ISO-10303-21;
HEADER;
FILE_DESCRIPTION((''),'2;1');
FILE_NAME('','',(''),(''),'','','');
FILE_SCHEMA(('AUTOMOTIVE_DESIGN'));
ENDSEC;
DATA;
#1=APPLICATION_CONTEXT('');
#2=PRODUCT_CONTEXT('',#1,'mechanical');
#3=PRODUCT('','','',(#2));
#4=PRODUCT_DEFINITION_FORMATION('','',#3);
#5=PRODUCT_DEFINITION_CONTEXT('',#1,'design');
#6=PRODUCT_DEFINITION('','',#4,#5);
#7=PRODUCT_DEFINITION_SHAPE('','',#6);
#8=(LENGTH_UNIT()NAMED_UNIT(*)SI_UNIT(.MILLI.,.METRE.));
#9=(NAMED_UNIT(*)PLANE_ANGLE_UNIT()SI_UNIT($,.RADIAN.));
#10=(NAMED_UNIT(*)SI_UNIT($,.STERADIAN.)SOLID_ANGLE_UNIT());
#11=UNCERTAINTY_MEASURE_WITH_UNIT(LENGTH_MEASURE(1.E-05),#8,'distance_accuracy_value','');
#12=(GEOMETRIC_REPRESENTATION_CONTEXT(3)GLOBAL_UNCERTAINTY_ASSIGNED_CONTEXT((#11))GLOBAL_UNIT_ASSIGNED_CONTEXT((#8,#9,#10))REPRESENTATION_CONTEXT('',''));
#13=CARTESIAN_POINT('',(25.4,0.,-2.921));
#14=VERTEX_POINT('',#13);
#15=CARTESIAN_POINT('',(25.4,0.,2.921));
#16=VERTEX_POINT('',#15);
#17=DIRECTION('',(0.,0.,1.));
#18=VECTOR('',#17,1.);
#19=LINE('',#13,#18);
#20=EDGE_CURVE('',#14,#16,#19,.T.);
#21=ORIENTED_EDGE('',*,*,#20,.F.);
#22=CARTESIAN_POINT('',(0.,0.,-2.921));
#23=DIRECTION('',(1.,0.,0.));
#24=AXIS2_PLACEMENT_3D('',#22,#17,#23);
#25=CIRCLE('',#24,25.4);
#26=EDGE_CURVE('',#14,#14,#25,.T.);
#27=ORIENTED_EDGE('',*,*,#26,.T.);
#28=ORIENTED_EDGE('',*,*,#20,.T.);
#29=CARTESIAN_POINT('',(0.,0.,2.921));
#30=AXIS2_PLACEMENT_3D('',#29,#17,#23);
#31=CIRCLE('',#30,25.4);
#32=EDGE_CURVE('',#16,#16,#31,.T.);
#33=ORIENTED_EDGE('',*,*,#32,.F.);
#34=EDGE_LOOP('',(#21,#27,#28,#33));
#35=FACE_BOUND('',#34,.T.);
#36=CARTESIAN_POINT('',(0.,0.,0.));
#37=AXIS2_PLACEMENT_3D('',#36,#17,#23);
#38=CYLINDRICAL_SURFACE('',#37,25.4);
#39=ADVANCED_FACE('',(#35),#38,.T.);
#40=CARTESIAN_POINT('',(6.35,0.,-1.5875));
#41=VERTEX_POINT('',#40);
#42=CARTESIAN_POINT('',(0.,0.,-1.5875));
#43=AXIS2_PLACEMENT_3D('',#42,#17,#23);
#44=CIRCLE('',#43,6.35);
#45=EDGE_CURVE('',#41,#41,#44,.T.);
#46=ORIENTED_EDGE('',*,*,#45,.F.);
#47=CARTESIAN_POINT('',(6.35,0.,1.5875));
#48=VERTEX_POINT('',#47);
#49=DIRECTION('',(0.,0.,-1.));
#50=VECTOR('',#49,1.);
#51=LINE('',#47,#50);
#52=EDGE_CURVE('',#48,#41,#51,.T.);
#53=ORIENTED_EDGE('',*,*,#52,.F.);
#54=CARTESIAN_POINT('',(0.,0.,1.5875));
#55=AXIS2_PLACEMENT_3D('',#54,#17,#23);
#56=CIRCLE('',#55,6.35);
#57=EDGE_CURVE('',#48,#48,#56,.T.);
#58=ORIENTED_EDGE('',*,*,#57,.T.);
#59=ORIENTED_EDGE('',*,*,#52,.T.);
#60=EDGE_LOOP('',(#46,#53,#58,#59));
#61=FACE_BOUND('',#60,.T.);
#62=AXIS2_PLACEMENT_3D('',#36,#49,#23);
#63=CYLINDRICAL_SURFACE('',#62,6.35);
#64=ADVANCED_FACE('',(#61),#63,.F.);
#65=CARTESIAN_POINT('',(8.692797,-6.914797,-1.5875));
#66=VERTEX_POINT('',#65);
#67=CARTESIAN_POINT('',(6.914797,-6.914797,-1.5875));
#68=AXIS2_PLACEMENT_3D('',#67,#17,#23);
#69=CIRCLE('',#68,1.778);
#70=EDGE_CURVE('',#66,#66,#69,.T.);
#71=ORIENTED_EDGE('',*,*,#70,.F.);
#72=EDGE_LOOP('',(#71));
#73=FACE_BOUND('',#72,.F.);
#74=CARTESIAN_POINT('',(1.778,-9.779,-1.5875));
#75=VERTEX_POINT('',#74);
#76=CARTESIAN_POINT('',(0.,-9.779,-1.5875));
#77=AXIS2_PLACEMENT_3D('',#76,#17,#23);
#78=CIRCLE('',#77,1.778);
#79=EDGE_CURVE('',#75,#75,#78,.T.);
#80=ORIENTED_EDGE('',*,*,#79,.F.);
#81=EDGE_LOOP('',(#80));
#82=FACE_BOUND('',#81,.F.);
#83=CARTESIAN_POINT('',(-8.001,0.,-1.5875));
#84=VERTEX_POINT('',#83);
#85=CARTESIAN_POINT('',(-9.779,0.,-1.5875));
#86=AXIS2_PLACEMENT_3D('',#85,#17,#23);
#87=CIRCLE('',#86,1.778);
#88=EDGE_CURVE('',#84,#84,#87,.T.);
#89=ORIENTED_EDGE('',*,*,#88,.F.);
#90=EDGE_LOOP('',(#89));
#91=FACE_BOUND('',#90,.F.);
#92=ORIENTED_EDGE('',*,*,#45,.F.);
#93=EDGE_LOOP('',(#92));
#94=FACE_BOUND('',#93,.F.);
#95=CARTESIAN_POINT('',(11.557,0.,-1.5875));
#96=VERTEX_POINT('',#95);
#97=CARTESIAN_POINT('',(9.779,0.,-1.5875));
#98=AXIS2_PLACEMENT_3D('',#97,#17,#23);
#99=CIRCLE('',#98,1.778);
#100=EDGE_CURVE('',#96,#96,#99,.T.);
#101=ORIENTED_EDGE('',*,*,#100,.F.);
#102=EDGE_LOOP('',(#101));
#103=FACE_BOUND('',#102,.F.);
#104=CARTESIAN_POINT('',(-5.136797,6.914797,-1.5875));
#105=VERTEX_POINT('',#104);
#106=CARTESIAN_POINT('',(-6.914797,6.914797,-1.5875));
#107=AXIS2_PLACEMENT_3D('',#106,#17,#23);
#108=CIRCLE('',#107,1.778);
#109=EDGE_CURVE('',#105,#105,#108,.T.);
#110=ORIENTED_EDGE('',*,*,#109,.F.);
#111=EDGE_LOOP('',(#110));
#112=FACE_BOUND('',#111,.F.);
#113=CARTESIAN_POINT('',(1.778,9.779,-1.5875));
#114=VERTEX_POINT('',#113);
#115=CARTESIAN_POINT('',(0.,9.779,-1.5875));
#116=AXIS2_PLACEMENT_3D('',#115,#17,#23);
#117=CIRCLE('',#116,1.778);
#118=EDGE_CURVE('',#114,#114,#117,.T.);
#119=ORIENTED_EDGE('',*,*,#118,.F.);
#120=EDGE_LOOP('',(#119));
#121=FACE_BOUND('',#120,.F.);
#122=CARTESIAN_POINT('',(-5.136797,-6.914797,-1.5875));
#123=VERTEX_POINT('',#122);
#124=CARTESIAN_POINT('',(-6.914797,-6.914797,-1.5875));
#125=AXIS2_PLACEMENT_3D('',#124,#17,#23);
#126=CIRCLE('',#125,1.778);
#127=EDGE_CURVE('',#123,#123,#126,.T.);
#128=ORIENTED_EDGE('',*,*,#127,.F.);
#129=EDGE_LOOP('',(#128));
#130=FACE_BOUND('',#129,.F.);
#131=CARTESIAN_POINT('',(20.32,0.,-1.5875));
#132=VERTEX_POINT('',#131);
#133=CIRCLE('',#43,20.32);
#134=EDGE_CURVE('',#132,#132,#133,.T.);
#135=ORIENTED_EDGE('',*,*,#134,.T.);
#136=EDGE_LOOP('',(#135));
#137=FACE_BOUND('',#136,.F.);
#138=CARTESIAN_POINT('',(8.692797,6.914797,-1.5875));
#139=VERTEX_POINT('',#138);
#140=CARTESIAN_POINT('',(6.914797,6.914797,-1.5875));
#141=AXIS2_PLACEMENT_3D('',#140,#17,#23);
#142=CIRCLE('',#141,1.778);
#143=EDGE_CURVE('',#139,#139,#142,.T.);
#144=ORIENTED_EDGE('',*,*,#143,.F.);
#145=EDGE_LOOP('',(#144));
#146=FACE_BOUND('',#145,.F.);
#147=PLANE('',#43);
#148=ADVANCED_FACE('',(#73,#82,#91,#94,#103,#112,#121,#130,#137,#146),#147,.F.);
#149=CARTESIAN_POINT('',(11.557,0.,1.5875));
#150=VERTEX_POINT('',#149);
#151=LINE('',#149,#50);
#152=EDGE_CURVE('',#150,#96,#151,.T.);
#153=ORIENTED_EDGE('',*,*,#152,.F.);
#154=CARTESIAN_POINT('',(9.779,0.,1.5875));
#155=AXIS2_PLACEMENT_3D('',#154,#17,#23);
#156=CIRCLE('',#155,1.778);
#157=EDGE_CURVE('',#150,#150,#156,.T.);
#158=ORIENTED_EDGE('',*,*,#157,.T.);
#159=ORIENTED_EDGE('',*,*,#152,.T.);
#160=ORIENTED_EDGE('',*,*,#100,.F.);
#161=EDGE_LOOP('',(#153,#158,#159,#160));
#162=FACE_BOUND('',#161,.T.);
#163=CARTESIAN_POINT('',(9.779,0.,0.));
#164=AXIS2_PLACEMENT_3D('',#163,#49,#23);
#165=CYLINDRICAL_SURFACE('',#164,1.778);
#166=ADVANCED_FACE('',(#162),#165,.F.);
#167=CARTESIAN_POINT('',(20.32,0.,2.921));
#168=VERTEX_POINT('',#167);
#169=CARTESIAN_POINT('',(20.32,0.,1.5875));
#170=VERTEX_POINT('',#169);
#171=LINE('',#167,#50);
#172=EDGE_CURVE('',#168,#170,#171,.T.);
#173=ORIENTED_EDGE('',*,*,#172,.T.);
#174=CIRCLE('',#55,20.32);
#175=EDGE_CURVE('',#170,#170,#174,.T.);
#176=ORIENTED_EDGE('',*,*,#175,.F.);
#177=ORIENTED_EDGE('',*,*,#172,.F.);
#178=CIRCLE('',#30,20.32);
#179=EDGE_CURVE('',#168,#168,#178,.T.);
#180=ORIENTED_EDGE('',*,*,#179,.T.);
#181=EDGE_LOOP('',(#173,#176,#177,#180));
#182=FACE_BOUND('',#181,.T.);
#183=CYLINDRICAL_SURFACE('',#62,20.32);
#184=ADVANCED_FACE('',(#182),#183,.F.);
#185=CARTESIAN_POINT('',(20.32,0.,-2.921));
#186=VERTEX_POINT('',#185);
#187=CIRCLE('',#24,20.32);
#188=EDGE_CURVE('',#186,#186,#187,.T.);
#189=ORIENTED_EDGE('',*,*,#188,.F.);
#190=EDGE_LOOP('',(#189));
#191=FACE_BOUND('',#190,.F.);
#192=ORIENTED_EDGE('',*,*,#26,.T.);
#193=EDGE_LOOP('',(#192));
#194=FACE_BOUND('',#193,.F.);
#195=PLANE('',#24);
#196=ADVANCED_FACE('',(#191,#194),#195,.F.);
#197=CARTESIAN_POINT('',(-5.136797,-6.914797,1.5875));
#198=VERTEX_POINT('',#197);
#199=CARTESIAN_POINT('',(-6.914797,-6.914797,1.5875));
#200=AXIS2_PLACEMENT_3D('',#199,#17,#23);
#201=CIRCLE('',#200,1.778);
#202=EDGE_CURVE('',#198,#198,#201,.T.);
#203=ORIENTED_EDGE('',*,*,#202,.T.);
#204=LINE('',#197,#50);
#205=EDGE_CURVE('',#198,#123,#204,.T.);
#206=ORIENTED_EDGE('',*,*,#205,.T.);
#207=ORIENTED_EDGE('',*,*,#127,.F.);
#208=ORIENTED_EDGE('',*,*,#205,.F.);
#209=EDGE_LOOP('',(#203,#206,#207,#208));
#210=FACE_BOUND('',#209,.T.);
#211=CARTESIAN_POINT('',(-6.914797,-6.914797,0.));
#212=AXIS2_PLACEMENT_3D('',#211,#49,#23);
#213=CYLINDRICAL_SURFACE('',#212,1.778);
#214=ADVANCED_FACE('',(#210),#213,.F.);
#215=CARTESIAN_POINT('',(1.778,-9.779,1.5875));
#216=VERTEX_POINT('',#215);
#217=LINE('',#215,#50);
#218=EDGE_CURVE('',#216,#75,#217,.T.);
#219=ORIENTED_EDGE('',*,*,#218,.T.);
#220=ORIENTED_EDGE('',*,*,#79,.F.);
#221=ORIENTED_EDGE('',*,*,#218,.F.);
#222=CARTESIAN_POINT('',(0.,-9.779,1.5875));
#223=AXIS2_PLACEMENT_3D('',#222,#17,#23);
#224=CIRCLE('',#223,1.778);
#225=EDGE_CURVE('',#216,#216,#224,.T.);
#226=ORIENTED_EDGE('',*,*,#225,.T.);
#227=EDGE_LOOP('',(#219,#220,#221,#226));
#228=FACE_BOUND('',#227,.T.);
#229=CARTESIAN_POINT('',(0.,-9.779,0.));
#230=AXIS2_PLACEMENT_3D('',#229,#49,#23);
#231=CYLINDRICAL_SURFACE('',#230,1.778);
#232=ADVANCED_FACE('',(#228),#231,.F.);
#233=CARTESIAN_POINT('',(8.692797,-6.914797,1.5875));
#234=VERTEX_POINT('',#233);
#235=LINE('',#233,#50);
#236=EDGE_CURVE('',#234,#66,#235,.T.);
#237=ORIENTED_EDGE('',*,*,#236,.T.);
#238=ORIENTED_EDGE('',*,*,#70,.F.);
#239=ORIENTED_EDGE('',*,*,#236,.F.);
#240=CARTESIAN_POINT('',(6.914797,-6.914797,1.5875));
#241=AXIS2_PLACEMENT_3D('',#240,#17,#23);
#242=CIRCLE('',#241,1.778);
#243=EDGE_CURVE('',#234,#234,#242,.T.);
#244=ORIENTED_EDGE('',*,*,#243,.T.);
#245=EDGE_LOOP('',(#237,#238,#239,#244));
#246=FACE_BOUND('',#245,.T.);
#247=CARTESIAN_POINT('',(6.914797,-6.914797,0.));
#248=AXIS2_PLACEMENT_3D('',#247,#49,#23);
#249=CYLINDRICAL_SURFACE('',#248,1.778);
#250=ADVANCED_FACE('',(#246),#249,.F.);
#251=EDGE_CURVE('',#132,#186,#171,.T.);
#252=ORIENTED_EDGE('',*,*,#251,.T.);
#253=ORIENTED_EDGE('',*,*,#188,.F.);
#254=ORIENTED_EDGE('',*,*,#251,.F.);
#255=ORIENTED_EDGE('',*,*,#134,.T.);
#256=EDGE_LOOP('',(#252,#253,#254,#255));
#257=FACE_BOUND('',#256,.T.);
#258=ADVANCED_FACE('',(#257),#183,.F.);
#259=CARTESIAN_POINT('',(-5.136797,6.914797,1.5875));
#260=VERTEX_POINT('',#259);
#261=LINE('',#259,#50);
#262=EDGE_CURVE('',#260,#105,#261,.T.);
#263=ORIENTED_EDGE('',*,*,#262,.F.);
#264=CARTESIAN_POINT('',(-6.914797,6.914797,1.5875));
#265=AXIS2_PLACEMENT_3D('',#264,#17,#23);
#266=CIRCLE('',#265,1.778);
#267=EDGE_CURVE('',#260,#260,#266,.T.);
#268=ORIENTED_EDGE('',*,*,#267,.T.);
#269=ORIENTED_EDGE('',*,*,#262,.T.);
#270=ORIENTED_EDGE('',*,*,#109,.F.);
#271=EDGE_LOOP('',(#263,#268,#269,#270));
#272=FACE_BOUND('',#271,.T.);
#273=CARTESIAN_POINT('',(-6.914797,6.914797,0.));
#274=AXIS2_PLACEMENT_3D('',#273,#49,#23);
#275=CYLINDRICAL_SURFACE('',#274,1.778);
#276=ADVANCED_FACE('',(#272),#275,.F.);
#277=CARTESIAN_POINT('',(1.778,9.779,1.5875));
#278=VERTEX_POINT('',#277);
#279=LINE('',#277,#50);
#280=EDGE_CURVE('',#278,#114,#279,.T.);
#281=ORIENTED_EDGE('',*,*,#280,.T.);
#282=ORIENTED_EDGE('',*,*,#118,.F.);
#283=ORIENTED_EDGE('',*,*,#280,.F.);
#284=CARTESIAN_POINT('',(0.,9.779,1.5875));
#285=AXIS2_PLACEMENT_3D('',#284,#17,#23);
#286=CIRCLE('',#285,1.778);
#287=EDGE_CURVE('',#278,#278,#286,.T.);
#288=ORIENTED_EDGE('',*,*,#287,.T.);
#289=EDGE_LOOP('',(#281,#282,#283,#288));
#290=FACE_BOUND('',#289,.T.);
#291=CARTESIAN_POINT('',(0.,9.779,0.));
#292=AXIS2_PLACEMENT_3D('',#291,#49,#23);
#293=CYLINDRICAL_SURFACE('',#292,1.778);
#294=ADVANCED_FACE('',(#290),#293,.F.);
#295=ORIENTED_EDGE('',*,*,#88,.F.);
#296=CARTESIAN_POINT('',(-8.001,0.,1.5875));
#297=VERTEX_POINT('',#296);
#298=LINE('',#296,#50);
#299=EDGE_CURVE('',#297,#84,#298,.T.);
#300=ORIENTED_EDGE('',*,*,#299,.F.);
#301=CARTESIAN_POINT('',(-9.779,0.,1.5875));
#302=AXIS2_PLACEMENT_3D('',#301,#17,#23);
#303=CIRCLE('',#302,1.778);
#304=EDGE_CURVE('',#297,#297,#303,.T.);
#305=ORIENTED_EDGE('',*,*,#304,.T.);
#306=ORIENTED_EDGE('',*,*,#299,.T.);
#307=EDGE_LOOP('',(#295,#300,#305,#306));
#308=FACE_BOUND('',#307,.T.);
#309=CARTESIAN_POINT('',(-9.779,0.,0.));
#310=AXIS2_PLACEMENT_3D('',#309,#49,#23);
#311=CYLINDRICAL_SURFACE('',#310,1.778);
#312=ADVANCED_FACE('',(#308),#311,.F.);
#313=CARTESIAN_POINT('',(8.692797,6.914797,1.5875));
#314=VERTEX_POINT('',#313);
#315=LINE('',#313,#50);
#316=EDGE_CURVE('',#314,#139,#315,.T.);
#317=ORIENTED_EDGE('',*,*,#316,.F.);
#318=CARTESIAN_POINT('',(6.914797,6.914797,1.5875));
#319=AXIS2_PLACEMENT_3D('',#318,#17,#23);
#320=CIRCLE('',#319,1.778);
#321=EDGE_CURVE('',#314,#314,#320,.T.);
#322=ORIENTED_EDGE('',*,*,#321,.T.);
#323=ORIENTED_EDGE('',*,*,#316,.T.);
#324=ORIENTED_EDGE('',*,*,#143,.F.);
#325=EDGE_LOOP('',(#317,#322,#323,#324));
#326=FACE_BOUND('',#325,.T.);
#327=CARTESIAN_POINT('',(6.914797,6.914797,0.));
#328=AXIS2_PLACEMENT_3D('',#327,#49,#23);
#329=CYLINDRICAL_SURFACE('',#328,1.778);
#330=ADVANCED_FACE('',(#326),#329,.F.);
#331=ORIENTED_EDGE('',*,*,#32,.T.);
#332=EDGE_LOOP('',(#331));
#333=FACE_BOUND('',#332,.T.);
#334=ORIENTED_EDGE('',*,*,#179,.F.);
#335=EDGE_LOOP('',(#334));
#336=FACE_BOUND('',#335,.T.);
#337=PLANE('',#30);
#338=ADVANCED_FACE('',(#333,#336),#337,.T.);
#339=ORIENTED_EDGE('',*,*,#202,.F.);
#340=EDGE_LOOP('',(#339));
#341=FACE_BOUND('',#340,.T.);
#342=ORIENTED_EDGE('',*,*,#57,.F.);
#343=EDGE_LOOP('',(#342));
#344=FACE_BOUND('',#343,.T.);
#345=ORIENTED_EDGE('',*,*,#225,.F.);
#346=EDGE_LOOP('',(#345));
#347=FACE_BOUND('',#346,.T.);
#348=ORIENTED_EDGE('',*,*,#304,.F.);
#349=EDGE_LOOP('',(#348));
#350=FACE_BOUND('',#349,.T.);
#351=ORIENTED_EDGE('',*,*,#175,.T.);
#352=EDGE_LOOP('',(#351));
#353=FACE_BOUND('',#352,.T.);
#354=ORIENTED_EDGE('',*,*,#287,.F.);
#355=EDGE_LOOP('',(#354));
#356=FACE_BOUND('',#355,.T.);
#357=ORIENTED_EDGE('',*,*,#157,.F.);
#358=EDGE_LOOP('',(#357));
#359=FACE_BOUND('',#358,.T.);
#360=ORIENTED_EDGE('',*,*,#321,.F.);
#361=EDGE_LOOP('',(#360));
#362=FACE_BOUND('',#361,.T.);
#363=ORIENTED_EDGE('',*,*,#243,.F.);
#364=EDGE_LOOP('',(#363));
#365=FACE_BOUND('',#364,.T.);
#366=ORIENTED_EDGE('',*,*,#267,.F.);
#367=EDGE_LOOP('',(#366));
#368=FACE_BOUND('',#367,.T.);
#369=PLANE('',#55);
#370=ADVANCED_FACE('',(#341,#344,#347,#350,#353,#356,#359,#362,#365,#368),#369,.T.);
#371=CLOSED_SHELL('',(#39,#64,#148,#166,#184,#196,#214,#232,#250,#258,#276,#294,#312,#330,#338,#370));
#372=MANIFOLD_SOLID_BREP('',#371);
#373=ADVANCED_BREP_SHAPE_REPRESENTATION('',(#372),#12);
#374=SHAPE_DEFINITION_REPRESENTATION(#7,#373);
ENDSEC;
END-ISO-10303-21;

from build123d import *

# Parameters (mm, degrees)
SKETCH1_R           = 25.4
SKETCH1_R_2         = 20.32
BOSS_EXTRUDE1_DEPTH = 2.921
SKETCH3_R           = 20.32
SKETCH3_R_2         = 6.35
SKETCH3_R_3         = 1.778
BOSS_EXTRUDE2_DEPTH = 1.5875


with BuildPart() as part:
    # Sketch1 → Boss-Extrude1 (new body, symmetric)
    with BuildSketch(Plane.XY):
        Circle(SKETCH1_R)
        Circle(SKETCH1_R_2, mode=Mode.SUBTRACT)
    extrude(amount=BOSS_EXTRUDE1_DEPTH, both=True)

    # Sketch3 → Boss-Extrude2 (add, symmetric)
    with BuildSketch(Plane.XY):
        Circle(SKETCH3_R)
        Circle(SKETCH3_R_2, mode=Mode.SUBTRACT)
        with Locations((0, 9.779)):
            Circle(SKETCH3_R_3, mode=Mode.SUBTRACT)
        with Locations((6.914797213, 6.914797213)):
            Circle(SKETCH3_R_3, mode=Mode.SUBTRACT)
        with Locations((9.779, 0)):
            Circle(SKETCH3_R_3, mode=Mode.SUBTRACT)
        with Locations((6.914797213, -6.914797213)):
            Circle(SKETCH3_R_3, mode=Mode.SUBTRACT)
        with Locations((0, -9.779)):
            Circle(SKETCH3_R_3, mode=Mode.SUBTRACT)
        with Locations((-6.914797213, -6.914797213)):
            Circle(SKETCH3_R_3, mode=Mode.SUBTRACT)
        with Locations((-9.779, 0)):
            Circle(SKETCH3_R_3, mode=Mode.SUBTRACT)
        with Locations((-6.914797213, 6.914797213)):
            Circle(SKETCH3_R_3, mode=Mode.SUBTRACT)
    extrude(amount=BOSS_EXTRUDE2_DEPTH, both=True)


solid = part.part
